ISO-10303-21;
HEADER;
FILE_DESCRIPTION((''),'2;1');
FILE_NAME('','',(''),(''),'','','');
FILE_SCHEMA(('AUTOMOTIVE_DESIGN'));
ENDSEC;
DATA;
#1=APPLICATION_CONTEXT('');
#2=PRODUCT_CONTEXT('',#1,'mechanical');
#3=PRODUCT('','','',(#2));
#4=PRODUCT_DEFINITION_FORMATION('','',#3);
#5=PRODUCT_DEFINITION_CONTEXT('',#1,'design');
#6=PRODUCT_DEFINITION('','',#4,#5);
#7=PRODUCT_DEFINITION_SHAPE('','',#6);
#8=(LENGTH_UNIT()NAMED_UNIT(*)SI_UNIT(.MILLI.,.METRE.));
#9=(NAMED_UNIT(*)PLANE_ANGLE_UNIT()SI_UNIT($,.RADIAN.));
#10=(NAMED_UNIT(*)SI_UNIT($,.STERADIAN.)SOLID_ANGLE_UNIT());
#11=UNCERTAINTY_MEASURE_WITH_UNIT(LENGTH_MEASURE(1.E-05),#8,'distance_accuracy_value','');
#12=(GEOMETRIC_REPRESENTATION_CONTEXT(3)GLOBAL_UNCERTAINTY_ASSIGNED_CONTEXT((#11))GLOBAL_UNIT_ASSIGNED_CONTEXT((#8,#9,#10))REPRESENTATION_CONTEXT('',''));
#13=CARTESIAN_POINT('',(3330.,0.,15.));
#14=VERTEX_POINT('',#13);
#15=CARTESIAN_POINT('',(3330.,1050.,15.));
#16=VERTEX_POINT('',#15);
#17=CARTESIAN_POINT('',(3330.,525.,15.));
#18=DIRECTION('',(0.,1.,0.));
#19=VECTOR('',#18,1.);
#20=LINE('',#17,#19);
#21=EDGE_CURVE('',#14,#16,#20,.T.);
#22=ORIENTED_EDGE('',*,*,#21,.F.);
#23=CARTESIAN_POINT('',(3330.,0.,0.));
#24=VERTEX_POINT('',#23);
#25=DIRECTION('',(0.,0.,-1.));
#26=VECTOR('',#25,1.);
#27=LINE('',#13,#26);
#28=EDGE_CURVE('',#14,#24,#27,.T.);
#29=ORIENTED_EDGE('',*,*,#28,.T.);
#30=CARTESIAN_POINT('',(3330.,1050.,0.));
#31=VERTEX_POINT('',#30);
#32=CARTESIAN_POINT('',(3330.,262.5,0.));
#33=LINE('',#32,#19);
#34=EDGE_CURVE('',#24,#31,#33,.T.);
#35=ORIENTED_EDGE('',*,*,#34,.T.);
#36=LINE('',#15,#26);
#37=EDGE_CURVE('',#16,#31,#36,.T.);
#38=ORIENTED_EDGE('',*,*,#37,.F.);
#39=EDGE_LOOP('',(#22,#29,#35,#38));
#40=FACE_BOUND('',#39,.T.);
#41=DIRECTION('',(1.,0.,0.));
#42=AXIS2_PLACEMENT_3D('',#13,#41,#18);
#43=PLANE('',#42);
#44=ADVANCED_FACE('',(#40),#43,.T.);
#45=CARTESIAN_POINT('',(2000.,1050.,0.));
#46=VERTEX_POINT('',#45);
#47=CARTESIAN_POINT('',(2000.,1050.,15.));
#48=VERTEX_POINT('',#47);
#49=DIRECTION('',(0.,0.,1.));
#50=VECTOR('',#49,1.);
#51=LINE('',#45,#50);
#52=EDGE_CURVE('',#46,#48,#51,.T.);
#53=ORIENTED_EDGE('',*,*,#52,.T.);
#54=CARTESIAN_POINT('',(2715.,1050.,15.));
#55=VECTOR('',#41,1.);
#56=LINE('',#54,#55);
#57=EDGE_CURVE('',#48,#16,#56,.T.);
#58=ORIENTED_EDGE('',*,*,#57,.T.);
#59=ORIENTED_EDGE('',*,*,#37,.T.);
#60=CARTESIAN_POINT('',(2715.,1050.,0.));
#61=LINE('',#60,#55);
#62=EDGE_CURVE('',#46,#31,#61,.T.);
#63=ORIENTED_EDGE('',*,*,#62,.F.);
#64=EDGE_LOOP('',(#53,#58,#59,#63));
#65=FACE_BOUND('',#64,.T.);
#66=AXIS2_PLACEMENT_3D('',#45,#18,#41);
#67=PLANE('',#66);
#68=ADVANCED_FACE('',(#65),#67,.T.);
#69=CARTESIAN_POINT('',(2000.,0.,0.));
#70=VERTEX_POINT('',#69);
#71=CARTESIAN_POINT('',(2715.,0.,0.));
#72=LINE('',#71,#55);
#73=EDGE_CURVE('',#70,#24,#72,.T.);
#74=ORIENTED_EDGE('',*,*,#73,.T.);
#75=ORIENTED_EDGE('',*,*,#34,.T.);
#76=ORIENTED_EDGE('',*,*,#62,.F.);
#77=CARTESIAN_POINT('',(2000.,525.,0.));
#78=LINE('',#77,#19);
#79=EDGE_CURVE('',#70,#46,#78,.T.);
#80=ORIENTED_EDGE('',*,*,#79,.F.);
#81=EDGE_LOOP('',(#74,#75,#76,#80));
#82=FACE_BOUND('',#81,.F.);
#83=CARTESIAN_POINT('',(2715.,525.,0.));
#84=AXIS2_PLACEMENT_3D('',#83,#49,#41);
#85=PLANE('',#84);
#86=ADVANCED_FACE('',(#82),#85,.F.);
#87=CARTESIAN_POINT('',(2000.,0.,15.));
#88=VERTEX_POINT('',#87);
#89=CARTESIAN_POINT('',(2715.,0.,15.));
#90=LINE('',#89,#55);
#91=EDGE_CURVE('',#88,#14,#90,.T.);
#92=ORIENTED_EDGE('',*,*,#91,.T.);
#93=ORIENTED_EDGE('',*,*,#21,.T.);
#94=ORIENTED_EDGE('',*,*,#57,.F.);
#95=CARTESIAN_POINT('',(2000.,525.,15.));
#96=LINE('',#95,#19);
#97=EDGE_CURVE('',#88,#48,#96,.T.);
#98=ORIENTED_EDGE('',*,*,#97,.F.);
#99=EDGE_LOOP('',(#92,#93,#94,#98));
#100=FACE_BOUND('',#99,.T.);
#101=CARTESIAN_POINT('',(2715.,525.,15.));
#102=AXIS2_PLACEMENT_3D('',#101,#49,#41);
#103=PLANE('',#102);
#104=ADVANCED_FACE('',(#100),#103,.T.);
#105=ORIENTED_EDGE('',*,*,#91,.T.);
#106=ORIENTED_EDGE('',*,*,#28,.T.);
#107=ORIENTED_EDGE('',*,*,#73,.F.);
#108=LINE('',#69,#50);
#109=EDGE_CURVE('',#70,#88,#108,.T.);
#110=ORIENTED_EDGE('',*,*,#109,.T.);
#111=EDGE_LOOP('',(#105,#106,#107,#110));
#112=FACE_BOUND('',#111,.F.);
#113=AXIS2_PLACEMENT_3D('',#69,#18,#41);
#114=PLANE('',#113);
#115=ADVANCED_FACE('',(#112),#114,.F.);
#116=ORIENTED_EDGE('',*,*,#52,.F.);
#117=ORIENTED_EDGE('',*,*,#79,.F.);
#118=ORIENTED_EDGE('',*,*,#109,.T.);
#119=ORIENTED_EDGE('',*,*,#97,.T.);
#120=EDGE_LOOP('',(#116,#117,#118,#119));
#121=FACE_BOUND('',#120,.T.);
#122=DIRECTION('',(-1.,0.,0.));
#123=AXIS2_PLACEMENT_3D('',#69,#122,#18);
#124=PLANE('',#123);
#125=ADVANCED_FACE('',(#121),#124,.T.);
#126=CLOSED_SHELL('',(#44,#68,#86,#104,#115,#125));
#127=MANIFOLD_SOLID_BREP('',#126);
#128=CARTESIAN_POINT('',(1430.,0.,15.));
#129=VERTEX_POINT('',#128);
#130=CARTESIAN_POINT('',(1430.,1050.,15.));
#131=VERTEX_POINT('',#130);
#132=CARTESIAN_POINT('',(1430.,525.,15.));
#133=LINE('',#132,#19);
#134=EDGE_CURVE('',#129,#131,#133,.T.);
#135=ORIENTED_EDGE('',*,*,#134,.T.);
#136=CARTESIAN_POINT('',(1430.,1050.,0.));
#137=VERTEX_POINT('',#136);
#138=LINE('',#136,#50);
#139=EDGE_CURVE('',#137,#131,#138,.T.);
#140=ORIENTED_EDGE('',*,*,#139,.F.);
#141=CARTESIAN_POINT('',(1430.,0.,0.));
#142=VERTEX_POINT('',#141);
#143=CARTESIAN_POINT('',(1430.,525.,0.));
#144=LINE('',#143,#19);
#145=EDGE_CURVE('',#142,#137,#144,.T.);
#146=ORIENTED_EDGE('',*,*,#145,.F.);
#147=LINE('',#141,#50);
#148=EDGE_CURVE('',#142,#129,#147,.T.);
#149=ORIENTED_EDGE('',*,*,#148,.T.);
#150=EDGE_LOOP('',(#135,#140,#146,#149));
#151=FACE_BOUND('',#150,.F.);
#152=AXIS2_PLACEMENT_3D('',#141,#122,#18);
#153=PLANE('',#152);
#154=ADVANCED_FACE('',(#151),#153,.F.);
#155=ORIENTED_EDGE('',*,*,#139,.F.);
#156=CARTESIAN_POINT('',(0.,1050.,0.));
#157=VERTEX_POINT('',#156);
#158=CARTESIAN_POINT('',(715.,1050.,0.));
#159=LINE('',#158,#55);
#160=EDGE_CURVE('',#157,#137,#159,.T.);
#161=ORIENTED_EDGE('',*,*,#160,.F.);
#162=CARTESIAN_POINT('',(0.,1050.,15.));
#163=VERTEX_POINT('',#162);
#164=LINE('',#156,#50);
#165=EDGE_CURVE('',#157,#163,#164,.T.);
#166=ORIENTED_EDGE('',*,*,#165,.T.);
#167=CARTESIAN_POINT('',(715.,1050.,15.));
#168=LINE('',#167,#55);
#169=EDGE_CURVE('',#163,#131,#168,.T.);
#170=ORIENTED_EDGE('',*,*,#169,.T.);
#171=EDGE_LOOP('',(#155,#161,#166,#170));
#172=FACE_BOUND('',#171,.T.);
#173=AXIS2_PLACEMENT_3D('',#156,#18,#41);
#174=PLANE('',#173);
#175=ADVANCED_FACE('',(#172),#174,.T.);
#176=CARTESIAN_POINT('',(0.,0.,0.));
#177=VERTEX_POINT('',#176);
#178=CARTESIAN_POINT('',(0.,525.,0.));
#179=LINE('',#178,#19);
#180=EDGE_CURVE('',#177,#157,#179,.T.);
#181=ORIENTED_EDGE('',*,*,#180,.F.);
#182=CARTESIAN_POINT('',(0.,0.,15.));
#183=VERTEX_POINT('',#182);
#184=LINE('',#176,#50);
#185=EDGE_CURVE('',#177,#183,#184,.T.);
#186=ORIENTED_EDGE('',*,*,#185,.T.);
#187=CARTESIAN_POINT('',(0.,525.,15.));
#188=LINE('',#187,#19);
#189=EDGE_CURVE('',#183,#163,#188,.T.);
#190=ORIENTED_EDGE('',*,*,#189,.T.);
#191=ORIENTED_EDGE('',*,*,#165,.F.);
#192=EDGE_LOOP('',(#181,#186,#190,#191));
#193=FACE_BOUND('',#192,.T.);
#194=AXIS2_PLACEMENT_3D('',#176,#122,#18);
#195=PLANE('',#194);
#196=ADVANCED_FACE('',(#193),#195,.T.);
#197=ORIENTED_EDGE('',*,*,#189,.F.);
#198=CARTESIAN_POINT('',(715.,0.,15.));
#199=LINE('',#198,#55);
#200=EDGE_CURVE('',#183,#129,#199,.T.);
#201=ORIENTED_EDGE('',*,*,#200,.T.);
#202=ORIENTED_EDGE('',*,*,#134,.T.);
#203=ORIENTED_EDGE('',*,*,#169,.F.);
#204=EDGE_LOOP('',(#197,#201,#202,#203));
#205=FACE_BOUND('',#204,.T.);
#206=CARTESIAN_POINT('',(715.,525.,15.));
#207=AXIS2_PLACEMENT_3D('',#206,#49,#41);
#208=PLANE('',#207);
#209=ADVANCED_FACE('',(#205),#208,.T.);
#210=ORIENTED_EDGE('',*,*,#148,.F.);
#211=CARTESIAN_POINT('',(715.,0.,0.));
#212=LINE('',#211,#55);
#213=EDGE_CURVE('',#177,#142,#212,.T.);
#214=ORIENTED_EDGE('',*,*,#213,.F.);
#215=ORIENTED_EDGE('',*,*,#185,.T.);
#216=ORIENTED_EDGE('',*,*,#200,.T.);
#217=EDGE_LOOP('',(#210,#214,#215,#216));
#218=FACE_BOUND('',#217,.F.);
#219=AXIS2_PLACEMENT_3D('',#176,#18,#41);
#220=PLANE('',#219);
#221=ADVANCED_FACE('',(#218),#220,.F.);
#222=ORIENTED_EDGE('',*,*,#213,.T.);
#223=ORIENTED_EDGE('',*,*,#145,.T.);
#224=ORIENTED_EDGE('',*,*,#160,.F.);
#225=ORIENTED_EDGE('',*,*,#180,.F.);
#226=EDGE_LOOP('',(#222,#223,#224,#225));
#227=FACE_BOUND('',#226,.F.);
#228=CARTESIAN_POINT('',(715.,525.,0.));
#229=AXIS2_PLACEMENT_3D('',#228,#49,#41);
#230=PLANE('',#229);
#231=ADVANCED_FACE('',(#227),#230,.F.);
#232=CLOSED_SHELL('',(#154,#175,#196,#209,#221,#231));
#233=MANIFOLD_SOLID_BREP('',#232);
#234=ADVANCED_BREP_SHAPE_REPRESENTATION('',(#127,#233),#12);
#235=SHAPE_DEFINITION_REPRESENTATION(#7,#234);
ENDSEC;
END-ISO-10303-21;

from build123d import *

# Parameters (mm, degrees)
F0_W     = 1430
F0_H     = 1050
F1_DEPTH = 15
F3_W     = 300
F3_H     = 300
F3_W_2   = 100
F3_H_2   = 1050
F4_DEPTH = 15.001


with BuildPart() as f1:
    # F0 (on Top) → F1 (new body)
    with BuildSketch(Plane.XY):
        with Locations((715, 525)):
            Rectangle(F0_W, F0_H)
    extrude(amount=F1_DEPTH)


with BuildPart() as f2_1:
    # F2: copy of F1
    add(f1.part.moved(Location((2000, 0, 0))))

    # F3 (on face) → F4 (cut, through all)
    with BuildSketch(Plane.XY.offset(15)):
        with Locations((3650, 525)):
            Rectangle(F3_W, F3_H)
        with Locations((3380, 525)):
            Rectangle(F3_W_2, F3_H_2)
    extrude(amount=-F4_DEPTH, mode=Mode.SUBTRACT)


solid = Compound([f1.part, f2_1.part])
